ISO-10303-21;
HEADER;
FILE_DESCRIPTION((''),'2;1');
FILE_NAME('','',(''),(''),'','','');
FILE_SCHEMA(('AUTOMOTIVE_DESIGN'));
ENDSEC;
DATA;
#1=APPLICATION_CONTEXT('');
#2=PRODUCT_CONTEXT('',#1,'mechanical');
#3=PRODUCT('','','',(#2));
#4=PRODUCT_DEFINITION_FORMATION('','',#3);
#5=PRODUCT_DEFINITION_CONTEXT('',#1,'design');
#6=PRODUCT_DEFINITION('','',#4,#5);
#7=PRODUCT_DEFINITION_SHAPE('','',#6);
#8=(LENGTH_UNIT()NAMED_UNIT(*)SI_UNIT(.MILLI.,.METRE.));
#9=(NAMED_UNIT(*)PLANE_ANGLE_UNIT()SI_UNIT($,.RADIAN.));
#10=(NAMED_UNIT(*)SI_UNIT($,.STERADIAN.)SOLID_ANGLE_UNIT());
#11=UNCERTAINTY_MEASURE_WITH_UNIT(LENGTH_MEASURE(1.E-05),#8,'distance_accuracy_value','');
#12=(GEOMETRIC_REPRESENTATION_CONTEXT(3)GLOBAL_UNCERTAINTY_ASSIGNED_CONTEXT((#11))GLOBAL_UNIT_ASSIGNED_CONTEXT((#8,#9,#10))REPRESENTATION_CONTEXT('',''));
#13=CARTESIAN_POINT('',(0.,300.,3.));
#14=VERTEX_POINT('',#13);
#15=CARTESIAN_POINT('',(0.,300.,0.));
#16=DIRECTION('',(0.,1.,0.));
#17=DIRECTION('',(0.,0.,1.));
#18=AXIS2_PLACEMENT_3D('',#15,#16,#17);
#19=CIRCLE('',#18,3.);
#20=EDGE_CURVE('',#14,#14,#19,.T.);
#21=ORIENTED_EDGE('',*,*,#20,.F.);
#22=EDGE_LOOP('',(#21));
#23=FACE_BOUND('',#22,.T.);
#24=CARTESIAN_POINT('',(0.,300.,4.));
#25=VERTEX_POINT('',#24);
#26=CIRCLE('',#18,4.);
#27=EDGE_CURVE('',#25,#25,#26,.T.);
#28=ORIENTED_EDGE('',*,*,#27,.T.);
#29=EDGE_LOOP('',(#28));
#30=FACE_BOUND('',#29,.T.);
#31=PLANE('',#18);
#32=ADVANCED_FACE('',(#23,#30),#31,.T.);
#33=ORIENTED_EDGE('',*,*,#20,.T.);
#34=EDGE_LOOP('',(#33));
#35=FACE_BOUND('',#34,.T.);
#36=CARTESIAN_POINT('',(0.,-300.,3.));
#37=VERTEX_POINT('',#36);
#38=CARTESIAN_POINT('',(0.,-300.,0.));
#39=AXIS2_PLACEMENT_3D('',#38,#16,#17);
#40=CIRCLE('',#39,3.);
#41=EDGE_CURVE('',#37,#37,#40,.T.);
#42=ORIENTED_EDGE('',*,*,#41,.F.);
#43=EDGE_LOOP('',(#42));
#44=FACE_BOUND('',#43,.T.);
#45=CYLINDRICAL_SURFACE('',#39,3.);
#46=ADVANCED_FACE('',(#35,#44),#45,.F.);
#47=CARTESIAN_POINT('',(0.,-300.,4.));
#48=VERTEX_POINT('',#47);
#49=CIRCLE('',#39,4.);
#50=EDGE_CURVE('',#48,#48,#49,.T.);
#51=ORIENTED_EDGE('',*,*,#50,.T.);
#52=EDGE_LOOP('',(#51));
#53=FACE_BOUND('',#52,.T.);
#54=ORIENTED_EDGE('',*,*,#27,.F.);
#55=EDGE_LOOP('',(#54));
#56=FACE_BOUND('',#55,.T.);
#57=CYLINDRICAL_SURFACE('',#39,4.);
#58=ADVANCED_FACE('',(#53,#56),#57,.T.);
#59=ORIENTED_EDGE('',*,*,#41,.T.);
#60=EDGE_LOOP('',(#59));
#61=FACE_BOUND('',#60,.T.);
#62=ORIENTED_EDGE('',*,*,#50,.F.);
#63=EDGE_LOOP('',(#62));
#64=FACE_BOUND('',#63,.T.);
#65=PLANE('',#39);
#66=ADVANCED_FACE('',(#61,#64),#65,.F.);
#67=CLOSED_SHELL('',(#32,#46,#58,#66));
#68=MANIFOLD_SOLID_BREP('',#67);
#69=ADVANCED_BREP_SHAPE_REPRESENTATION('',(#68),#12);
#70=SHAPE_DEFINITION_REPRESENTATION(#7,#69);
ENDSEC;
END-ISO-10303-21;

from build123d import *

# Parameters (mm, degrees)
SKETCH1_R           = 4
SKETCH1_R_2         = 3
BOSS_EXTRUDE1_DEPTH = 300


with BuildPart() as part:
    # Sketch1 → Boss-Extrude1 (new, symmetric)
    with BuildSketch(Plane(origin=(0, 0, 0), x_dir=(1, 0, 0), z_dir=(0, 1, 0))):
        with Locations(Location((0, 0, 0), (0, 0, 270))):
            Circle(SKETCH1_R)
        with Locations(Location((0, 0, 0), (0, 0, 270))):
            Circle(SKETCH1_R_2, mode=Mode.SUBTRACT)
    extrude(amount=BOSS_EXTRUDE1_DEPTH, both=True)


solid = part.part
